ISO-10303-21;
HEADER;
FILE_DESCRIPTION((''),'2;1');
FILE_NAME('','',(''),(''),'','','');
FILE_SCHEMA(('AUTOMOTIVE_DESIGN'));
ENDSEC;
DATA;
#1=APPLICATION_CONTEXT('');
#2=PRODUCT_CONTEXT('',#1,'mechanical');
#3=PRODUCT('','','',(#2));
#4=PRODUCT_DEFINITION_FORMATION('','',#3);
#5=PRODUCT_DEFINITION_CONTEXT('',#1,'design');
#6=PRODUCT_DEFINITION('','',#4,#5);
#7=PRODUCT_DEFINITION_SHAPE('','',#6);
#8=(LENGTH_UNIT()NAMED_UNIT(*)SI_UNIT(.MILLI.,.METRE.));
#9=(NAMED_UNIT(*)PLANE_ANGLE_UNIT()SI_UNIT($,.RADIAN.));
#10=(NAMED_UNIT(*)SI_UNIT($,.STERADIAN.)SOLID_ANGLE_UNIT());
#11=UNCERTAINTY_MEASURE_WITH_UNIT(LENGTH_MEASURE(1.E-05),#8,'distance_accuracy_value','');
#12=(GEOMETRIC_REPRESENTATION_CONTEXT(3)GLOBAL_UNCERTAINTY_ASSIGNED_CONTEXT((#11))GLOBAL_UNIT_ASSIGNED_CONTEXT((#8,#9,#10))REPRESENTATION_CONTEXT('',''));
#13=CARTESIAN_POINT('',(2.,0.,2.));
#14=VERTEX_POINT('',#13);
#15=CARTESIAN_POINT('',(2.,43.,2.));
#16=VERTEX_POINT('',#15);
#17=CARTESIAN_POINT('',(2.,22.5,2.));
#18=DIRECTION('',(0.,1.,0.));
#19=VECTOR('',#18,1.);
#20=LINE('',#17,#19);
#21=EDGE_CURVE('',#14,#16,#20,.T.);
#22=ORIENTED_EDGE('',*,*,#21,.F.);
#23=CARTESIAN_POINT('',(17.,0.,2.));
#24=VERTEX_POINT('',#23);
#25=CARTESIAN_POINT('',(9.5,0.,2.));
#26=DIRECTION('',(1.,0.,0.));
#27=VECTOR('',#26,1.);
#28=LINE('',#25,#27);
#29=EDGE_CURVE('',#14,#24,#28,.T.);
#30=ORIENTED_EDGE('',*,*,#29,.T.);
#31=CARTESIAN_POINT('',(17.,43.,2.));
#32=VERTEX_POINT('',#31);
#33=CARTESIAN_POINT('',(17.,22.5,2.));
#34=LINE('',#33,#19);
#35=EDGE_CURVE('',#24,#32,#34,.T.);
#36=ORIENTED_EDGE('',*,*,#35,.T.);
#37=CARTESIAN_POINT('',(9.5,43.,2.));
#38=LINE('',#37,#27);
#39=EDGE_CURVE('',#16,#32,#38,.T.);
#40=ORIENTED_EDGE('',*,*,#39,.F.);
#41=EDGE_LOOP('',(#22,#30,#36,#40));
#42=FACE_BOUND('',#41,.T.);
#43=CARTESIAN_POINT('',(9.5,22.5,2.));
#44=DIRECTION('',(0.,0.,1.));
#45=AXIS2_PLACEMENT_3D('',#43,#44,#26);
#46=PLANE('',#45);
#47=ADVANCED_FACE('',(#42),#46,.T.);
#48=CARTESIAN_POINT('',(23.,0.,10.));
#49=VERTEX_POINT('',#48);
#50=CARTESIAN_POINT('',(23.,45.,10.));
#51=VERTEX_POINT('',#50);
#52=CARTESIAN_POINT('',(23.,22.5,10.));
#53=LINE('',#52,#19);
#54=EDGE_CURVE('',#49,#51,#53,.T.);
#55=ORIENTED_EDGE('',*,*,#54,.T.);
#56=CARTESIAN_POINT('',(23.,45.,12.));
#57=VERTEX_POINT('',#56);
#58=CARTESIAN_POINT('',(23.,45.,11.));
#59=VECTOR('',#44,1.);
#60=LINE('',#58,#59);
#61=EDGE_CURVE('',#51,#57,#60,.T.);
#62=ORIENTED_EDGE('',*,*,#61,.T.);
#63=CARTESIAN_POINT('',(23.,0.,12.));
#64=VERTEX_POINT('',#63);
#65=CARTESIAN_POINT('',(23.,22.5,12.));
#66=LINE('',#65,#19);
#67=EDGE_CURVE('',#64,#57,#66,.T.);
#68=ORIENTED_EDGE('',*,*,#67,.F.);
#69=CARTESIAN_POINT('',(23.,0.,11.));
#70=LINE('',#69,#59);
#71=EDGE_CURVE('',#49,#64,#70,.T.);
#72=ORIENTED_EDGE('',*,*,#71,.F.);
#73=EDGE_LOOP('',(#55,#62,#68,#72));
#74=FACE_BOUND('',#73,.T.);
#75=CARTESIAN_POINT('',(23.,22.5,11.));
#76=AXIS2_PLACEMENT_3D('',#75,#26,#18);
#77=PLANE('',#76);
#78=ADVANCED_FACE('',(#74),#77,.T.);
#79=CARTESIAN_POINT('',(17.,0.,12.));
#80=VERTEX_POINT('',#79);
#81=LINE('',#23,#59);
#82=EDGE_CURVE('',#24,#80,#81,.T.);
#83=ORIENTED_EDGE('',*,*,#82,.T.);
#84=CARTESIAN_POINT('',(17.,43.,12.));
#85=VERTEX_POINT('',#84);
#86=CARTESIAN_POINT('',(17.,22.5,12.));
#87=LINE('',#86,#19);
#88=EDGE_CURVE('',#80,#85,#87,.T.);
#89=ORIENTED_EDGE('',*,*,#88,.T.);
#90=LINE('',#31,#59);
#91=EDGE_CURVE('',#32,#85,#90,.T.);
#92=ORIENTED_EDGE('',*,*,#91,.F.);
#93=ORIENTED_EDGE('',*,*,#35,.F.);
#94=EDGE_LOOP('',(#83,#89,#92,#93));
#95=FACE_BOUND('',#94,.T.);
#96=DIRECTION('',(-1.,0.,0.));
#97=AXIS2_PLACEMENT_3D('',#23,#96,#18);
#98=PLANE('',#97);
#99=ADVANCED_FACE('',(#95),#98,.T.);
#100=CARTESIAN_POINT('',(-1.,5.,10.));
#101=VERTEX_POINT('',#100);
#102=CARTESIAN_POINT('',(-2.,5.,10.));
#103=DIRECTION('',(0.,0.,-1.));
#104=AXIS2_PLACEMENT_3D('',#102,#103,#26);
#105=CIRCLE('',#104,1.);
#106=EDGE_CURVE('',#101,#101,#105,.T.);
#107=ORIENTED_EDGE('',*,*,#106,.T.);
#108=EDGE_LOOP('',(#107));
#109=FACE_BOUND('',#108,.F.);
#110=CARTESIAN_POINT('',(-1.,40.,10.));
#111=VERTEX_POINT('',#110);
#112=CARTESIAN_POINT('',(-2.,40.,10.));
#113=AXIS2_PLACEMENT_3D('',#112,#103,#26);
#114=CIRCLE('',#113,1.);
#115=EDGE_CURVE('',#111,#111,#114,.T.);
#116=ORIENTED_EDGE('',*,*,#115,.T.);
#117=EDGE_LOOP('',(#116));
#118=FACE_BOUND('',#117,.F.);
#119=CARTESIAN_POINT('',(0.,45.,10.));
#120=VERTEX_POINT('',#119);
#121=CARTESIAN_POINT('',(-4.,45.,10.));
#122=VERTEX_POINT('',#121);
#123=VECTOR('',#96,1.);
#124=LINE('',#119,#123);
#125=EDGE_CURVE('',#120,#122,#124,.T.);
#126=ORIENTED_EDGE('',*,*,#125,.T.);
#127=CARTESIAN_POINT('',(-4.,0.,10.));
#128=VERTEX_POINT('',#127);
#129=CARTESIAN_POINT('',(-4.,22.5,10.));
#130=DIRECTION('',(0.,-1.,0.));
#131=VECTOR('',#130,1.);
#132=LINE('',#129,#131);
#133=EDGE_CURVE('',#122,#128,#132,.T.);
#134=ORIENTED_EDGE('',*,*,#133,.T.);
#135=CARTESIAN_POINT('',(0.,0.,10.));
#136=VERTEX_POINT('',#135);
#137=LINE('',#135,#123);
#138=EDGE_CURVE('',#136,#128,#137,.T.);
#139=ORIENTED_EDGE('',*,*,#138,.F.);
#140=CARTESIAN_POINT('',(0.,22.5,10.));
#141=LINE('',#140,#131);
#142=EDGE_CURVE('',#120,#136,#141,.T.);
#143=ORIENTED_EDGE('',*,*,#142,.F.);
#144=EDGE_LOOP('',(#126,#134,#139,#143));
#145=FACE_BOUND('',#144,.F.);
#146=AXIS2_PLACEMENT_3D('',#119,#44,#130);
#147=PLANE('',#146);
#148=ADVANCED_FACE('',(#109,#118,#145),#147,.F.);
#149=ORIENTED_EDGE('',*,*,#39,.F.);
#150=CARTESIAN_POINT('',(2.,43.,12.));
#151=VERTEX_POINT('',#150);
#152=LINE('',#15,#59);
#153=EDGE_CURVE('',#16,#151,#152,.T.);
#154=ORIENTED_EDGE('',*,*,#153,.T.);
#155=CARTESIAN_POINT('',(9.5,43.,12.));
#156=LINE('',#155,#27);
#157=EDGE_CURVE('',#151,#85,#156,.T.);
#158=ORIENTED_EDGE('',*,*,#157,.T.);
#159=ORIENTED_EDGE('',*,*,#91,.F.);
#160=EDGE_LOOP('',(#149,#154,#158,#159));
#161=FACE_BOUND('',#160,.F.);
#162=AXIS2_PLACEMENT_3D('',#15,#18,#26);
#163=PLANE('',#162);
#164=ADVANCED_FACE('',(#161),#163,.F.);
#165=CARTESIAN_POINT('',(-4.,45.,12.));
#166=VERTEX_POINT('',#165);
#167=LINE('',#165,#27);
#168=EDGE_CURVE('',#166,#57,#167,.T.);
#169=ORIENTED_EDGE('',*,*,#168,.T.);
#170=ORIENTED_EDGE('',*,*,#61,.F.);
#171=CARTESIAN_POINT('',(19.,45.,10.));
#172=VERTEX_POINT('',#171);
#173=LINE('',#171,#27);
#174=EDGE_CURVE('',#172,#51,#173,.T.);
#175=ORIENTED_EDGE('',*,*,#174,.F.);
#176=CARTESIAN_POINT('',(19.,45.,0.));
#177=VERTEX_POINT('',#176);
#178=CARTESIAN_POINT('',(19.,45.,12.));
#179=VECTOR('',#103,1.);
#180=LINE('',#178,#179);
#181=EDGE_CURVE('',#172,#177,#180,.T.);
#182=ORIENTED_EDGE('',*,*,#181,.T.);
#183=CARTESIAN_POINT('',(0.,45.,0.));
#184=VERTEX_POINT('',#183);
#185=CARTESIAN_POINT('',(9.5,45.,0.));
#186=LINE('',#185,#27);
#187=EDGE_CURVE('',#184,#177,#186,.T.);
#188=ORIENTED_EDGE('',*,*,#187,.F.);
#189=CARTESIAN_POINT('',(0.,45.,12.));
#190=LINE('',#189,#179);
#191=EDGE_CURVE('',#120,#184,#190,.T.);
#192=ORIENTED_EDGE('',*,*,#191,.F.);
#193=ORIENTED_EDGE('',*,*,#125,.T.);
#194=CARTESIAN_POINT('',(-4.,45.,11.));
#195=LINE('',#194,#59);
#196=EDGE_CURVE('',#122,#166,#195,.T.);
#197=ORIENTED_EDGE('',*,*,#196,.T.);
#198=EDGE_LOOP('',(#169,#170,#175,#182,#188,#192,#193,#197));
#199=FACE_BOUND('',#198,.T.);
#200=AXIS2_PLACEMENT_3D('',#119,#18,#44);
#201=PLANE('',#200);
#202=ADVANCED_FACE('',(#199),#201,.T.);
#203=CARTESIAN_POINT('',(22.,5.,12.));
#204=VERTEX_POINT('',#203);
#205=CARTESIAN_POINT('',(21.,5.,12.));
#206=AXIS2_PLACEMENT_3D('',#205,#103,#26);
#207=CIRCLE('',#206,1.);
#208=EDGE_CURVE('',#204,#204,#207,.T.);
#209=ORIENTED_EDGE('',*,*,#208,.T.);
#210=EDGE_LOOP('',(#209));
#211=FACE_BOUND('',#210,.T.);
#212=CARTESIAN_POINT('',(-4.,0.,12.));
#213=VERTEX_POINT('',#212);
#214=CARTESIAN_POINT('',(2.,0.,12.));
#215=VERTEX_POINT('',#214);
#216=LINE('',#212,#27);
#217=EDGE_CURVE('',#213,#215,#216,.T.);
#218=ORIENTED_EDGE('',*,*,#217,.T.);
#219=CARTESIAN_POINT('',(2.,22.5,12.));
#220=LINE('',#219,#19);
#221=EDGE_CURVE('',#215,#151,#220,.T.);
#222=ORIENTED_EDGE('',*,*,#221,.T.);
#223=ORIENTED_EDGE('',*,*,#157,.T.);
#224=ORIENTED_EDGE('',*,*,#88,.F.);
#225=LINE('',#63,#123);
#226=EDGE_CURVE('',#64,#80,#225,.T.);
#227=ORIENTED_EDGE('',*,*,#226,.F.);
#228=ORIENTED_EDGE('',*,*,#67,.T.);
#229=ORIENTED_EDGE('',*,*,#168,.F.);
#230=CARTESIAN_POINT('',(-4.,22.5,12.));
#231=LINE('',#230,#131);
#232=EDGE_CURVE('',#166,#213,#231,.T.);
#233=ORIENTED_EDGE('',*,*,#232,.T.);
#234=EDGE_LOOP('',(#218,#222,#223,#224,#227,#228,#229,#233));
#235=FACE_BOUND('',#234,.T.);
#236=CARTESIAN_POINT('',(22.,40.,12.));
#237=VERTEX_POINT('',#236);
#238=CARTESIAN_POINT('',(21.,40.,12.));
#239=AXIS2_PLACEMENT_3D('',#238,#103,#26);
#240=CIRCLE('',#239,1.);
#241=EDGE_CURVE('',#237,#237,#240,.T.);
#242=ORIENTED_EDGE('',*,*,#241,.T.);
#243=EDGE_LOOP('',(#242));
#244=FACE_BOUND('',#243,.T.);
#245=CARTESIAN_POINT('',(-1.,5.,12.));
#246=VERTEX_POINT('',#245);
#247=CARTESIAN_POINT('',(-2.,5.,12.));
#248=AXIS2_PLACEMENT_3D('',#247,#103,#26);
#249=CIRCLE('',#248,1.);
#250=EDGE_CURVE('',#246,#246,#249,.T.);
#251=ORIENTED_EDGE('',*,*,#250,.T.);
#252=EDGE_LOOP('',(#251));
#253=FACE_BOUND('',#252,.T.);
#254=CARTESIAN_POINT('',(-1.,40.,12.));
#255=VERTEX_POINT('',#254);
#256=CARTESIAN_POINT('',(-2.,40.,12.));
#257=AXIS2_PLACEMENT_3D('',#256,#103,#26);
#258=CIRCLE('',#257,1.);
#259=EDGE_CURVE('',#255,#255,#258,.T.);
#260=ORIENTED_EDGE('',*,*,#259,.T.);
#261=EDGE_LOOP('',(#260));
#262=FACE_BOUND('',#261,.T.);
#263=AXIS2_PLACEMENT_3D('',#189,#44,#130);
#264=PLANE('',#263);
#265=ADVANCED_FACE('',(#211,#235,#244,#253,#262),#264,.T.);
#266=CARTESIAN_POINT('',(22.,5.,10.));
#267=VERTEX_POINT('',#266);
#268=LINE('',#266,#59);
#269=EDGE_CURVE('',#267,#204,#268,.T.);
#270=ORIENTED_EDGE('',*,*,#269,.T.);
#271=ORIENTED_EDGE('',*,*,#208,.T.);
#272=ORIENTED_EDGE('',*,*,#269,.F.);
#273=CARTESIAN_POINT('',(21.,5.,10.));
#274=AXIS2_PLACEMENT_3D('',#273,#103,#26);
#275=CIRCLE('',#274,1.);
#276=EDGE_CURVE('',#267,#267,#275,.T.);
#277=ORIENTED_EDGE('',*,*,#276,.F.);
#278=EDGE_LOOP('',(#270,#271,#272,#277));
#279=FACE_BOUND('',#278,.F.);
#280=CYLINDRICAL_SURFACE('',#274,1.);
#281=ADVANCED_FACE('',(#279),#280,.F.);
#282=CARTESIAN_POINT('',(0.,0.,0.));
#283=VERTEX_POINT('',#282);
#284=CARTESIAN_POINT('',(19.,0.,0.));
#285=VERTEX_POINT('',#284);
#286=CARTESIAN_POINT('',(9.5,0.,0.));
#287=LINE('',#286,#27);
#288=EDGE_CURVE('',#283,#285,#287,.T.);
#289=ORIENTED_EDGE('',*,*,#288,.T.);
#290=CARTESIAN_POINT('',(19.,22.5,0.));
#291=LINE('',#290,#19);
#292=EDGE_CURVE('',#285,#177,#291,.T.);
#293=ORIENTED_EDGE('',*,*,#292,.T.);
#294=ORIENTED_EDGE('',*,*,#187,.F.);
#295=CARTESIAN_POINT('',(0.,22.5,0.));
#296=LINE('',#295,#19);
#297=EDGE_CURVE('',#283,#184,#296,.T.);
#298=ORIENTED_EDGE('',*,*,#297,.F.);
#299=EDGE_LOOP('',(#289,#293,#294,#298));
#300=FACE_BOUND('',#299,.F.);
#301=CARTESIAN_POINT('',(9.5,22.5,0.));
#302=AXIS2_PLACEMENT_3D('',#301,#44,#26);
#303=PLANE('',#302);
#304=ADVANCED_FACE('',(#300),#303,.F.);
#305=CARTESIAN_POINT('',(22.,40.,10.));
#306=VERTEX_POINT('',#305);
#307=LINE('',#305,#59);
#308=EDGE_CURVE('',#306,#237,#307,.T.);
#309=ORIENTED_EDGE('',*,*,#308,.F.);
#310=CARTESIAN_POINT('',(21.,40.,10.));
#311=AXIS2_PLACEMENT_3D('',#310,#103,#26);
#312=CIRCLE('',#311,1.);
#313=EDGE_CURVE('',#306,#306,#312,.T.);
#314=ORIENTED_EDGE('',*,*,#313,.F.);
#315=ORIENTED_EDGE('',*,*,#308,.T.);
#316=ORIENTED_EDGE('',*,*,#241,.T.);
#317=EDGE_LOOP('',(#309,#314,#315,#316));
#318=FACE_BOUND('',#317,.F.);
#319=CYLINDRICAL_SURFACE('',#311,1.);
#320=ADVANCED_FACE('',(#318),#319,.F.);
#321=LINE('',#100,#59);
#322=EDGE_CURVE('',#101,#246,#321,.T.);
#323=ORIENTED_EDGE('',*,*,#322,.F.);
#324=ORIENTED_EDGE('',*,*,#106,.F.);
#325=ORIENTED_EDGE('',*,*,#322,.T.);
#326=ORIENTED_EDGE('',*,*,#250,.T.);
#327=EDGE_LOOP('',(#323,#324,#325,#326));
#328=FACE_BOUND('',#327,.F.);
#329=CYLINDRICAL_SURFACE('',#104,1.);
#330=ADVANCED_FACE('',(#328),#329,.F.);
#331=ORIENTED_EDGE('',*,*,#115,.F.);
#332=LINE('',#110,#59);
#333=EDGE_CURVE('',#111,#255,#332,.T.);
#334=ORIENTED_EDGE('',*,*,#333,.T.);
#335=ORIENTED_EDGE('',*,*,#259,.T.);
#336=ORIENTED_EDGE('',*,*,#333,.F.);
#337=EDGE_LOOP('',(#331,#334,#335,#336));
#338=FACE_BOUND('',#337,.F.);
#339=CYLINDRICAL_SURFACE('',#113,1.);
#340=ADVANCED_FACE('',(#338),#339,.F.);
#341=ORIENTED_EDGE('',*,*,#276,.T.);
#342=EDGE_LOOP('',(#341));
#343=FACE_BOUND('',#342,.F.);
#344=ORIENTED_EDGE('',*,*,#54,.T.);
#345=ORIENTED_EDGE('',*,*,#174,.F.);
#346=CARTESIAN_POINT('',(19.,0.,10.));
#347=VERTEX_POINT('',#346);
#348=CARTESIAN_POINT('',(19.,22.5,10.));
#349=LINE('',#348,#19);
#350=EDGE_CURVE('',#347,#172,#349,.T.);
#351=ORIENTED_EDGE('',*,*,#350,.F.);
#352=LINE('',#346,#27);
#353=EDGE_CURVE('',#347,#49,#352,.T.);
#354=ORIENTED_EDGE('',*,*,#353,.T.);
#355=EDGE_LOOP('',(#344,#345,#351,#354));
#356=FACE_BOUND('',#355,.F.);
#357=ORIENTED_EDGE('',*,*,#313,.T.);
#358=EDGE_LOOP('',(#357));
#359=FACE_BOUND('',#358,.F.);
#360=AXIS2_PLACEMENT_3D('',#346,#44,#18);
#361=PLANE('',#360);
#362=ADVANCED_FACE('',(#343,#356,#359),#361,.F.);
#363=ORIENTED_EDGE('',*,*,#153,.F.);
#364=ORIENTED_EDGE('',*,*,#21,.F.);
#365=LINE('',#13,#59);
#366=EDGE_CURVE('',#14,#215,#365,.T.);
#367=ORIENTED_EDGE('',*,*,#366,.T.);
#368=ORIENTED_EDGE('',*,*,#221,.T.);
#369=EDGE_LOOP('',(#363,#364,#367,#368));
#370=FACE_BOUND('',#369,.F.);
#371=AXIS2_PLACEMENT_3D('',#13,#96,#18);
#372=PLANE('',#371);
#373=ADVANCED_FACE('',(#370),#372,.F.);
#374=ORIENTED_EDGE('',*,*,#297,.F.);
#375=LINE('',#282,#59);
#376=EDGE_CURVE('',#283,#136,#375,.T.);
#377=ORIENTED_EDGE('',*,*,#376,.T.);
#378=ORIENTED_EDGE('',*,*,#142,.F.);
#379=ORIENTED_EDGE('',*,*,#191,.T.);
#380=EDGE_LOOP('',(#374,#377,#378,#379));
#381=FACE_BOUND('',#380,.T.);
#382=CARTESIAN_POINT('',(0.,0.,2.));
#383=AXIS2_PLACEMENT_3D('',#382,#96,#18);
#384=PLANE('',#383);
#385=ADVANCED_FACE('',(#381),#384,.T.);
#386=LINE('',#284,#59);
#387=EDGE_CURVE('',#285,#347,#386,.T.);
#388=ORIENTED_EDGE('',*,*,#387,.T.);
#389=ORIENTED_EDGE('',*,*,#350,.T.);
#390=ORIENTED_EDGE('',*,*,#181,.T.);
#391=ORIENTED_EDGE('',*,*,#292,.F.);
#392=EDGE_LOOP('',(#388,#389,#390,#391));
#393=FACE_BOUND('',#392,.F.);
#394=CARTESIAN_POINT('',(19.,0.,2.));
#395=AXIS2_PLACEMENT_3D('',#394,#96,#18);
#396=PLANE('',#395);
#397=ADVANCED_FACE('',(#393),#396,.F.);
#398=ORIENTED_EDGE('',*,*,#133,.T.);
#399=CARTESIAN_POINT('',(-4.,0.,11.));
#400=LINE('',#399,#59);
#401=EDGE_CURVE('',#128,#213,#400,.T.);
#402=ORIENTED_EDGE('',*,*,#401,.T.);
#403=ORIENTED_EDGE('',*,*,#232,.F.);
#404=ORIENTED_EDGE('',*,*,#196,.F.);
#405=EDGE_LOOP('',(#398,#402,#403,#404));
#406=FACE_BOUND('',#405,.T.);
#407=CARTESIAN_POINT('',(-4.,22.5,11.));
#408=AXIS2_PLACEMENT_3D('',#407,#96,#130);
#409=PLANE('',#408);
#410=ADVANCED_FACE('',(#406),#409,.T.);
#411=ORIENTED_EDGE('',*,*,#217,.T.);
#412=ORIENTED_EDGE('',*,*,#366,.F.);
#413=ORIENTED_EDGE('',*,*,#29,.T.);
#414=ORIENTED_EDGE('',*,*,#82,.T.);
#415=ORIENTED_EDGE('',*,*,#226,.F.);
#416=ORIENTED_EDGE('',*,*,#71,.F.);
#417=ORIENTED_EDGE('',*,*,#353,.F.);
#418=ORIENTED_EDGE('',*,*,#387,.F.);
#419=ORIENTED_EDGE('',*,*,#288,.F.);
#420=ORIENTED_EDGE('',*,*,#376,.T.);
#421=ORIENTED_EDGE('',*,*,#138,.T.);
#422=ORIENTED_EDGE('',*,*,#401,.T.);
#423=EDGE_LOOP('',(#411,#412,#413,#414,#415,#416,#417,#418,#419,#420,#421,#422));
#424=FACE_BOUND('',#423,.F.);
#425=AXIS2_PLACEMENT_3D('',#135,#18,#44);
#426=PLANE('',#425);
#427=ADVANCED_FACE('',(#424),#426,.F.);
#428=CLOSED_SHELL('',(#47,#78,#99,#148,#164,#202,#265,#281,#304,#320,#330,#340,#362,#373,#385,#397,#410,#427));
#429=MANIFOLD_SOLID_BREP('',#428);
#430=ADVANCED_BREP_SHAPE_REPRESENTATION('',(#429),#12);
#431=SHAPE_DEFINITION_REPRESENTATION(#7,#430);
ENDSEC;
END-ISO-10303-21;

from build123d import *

# Parameters (mm, degrees)
SKETCH_W        = 19
SKETCH_H        = 45
PAD_DEPTH       = 2
SKETCH001_W     = 2
SKETCH001_H     = 45
SKETCH001_W_2   = 15
SKETCH001_H_2   = 2
PAD001_DEPTH    = 10
SKETCH002_W     = 45
SKETCH002_H     = 2
PAD002_DEPTH    = 4
SKETCH003_W     = 45
SKETCH003_H     = 2
PAD003_DEPTH    = 4
SKETCH004_R     = 1
POCKET_DEPTH    = 5
SKETCH005_R     = 1
POCKET001_DEPTH = 5


with BuildPart() as part:
    # Sketch → Pad (new body)
    with BuildSketch(Plane.XY):
        with Locations((9.5, 22.5)):
            Rectangle(SKETCH_W, SKETCH_H)
    extrude(amount=PAD_DEPTH)

    # Sketch001 → Pad001 (new body)
    with BuildSketch(Plane.XY.offset(2)):
        with Locations((1, 22.5)):
            Rectangle(SKETCH001_W, SKETCH001_H)
        with Locations((18, 22.5)):
            Rectangle(SKETCH001_W, SKETCH001_H)
        with Locations((9.5, 44)):
            Rectangle(SKETCH001_W_2, SKETCH001_H_2)
    extrude(amount=PAD001_DEPTH)

    # Sketch002 → Pad002 (new body)
    with BuildSketch(Plane.YZ.offset(19)):
        with Locations((22.5, 11)):
            Rectangle(SKETCH002_W, SKETCH002_H)
    extrude(amount=PAD002_DEPTH)

    # Sketch003 → Pad003 (new body)
    with BuildSketch(Plane(origin=(0, 0, 0), x_dir=(0, -1, 0), z_dir=(-1, 0, 0))):
        with Locations((-22.5, 11)):
            Rectangle(SKETCH003_W, SKETCH003_H)
    extrude(amount=PAD003_DEPTH)

    # Sketch004 → Pocket (cut)
    with BuildSketch(Plane(origin=(0, 0, 10), x_dir=(1, 0, 0), z_dir=(0, 0, -1))):
        with Locations((-2, -5)):
            Circle(SKETCH004_R)
        with Locations((-2, -40)):
            Circle(SKETCH004_R)
    extrude(amount=-POCKET_DEPTH, mode=Mode.SUBTRACT)

    # Sketch005 → Pocket001 (cut)
    with BuildSketch(Plane(origin=(0, 0, 10), x_dir=(1, 0, 0), z_dir=(0, 0, -1))):
        with Locations((21, -5)):
            Circle(SKETCH005_R)
        with Locations((21, -40)):
            Circle(SKETCH005_R)
    extrude(amount=-POCKET001_DEPTH, mode=Mode.SUBTRACT)


solid = part.part
